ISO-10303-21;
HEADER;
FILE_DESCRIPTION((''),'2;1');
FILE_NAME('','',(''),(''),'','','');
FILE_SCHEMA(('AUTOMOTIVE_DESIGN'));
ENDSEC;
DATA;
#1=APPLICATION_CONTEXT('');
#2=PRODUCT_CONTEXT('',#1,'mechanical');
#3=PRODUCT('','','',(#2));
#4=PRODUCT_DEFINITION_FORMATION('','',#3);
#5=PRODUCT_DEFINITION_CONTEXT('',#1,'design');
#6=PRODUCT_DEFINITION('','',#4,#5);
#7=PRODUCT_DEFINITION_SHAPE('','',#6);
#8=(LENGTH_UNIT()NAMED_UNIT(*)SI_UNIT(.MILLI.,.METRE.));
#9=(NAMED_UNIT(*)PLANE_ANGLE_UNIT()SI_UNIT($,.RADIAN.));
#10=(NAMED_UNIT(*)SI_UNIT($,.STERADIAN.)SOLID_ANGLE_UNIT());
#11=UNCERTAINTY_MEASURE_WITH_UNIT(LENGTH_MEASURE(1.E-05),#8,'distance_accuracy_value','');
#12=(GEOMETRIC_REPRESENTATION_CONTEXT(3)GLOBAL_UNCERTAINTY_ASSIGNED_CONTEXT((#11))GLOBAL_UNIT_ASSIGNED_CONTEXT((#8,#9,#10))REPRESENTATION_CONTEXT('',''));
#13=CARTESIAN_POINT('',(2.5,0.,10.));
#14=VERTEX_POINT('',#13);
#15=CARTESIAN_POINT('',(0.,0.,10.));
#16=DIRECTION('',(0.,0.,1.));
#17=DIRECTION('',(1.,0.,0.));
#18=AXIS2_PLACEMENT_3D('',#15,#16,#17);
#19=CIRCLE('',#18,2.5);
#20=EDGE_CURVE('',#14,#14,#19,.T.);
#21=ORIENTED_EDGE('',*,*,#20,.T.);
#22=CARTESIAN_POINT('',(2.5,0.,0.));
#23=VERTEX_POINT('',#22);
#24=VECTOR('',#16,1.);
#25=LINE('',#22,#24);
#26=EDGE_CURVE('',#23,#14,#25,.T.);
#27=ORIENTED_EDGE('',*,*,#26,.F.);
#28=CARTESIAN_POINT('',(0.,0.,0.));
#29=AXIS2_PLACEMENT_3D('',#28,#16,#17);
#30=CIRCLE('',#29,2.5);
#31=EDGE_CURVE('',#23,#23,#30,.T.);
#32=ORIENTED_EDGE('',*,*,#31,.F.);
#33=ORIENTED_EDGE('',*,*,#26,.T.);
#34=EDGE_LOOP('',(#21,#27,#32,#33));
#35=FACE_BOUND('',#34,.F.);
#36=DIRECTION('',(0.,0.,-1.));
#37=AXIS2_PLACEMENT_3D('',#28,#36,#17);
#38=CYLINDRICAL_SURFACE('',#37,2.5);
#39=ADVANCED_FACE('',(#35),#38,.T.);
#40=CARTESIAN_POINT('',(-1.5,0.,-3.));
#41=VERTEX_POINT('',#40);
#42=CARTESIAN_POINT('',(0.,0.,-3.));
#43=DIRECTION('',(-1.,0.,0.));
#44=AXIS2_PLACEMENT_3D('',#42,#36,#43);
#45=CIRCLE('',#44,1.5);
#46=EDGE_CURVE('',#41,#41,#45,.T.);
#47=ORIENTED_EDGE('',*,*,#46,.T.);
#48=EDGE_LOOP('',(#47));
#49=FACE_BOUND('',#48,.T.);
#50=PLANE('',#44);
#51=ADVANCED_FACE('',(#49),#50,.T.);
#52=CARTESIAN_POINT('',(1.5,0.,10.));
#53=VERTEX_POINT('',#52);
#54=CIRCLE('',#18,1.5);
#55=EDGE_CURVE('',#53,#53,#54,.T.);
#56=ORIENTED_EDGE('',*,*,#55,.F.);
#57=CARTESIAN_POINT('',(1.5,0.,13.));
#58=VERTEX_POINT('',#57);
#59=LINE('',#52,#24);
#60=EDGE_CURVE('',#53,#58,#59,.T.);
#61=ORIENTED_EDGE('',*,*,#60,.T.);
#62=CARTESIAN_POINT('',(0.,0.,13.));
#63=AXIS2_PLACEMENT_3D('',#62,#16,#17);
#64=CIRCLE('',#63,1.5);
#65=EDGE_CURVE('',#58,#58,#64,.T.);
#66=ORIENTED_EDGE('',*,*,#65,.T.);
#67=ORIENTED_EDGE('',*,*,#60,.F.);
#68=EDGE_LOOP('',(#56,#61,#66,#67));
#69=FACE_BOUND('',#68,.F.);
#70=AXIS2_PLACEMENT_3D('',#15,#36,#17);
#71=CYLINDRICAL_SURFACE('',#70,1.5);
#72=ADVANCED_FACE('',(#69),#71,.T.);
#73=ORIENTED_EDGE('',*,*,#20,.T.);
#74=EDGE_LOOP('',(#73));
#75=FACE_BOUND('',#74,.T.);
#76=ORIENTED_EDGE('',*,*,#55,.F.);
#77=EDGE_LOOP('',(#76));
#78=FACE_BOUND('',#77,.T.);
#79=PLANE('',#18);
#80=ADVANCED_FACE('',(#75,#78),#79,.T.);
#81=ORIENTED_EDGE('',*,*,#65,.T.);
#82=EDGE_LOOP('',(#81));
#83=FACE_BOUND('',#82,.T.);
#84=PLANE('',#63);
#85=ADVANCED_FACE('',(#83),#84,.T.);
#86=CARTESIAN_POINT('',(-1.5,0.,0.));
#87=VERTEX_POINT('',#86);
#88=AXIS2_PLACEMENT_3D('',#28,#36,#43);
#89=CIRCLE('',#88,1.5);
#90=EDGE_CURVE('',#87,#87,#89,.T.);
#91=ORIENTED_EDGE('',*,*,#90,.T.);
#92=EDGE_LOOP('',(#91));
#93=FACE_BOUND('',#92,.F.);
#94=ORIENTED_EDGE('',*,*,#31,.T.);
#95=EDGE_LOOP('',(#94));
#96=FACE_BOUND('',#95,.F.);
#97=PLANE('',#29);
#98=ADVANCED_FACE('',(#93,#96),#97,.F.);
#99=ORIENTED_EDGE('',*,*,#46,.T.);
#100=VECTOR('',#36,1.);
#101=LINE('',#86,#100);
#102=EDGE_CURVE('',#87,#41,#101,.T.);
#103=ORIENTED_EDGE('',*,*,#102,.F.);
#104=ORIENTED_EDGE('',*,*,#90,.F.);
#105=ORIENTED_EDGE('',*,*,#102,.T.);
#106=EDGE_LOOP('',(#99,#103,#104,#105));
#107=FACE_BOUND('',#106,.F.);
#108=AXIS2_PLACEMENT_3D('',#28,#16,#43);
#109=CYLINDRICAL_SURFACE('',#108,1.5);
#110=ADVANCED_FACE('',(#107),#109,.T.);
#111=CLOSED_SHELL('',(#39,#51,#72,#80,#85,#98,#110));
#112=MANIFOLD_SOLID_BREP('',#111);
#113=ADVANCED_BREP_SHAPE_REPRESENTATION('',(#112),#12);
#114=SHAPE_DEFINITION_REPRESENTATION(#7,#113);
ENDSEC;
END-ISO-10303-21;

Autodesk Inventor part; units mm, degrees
ref_plane "YZ Plane" through (0, 0, 0) normal (1, 0, 0) x (0, 1, 0)
ref_plane "XZ Plane" through (0, 0, 0) normal (0, 1, 0) x (-1, 0, 0)
ref_plane "XY Plane" through (0, 0, 0) normal (0, 0, 1) x (1, 0, 0)
sketch "Sketch1" plane through (0, 0, 0) normal (0, 0, 1) x (1, 0, 0)
  circle A0 centre (0, 0) radius 2.5
  dimension "d0" = 5
extrude "Extrusion1" add sketch "Sketch1" along normal blind 10
sketch "Sketch2" plane through (0, 0, 10) normal (0, 0, 1) x (1, 0, 0)
  circle A0 centre (0, 0) radius 2.5 projected
  circle A1 centre (0, 0) radius 1.5
  dimension "d3" = 3
extrude "Extrusion2" add sketch "Sketch2" along normal blind 3 contours A1
thread "Thread1" size "M3x0.5" class "6g" standard "ANSI Metric M Profile" full length
sketch "Sketch3" plane through (0, 0, 0) normal (0, 0, -1) x (-1, 0, 0)
  circle A0 centre (0, 0) radius 2.5 projected
  circle A1 centre (0, 0) radius 1.5
  dimension "d8" = 3
extrude "Extrusion3" add sketch "Sketch3" along normal blind 3 contours A1
thread "Thread2" size "M3x0.5" class "6g" standard "ANSI Metric M Profile" full length
properties part number "spacer 1 cm"
